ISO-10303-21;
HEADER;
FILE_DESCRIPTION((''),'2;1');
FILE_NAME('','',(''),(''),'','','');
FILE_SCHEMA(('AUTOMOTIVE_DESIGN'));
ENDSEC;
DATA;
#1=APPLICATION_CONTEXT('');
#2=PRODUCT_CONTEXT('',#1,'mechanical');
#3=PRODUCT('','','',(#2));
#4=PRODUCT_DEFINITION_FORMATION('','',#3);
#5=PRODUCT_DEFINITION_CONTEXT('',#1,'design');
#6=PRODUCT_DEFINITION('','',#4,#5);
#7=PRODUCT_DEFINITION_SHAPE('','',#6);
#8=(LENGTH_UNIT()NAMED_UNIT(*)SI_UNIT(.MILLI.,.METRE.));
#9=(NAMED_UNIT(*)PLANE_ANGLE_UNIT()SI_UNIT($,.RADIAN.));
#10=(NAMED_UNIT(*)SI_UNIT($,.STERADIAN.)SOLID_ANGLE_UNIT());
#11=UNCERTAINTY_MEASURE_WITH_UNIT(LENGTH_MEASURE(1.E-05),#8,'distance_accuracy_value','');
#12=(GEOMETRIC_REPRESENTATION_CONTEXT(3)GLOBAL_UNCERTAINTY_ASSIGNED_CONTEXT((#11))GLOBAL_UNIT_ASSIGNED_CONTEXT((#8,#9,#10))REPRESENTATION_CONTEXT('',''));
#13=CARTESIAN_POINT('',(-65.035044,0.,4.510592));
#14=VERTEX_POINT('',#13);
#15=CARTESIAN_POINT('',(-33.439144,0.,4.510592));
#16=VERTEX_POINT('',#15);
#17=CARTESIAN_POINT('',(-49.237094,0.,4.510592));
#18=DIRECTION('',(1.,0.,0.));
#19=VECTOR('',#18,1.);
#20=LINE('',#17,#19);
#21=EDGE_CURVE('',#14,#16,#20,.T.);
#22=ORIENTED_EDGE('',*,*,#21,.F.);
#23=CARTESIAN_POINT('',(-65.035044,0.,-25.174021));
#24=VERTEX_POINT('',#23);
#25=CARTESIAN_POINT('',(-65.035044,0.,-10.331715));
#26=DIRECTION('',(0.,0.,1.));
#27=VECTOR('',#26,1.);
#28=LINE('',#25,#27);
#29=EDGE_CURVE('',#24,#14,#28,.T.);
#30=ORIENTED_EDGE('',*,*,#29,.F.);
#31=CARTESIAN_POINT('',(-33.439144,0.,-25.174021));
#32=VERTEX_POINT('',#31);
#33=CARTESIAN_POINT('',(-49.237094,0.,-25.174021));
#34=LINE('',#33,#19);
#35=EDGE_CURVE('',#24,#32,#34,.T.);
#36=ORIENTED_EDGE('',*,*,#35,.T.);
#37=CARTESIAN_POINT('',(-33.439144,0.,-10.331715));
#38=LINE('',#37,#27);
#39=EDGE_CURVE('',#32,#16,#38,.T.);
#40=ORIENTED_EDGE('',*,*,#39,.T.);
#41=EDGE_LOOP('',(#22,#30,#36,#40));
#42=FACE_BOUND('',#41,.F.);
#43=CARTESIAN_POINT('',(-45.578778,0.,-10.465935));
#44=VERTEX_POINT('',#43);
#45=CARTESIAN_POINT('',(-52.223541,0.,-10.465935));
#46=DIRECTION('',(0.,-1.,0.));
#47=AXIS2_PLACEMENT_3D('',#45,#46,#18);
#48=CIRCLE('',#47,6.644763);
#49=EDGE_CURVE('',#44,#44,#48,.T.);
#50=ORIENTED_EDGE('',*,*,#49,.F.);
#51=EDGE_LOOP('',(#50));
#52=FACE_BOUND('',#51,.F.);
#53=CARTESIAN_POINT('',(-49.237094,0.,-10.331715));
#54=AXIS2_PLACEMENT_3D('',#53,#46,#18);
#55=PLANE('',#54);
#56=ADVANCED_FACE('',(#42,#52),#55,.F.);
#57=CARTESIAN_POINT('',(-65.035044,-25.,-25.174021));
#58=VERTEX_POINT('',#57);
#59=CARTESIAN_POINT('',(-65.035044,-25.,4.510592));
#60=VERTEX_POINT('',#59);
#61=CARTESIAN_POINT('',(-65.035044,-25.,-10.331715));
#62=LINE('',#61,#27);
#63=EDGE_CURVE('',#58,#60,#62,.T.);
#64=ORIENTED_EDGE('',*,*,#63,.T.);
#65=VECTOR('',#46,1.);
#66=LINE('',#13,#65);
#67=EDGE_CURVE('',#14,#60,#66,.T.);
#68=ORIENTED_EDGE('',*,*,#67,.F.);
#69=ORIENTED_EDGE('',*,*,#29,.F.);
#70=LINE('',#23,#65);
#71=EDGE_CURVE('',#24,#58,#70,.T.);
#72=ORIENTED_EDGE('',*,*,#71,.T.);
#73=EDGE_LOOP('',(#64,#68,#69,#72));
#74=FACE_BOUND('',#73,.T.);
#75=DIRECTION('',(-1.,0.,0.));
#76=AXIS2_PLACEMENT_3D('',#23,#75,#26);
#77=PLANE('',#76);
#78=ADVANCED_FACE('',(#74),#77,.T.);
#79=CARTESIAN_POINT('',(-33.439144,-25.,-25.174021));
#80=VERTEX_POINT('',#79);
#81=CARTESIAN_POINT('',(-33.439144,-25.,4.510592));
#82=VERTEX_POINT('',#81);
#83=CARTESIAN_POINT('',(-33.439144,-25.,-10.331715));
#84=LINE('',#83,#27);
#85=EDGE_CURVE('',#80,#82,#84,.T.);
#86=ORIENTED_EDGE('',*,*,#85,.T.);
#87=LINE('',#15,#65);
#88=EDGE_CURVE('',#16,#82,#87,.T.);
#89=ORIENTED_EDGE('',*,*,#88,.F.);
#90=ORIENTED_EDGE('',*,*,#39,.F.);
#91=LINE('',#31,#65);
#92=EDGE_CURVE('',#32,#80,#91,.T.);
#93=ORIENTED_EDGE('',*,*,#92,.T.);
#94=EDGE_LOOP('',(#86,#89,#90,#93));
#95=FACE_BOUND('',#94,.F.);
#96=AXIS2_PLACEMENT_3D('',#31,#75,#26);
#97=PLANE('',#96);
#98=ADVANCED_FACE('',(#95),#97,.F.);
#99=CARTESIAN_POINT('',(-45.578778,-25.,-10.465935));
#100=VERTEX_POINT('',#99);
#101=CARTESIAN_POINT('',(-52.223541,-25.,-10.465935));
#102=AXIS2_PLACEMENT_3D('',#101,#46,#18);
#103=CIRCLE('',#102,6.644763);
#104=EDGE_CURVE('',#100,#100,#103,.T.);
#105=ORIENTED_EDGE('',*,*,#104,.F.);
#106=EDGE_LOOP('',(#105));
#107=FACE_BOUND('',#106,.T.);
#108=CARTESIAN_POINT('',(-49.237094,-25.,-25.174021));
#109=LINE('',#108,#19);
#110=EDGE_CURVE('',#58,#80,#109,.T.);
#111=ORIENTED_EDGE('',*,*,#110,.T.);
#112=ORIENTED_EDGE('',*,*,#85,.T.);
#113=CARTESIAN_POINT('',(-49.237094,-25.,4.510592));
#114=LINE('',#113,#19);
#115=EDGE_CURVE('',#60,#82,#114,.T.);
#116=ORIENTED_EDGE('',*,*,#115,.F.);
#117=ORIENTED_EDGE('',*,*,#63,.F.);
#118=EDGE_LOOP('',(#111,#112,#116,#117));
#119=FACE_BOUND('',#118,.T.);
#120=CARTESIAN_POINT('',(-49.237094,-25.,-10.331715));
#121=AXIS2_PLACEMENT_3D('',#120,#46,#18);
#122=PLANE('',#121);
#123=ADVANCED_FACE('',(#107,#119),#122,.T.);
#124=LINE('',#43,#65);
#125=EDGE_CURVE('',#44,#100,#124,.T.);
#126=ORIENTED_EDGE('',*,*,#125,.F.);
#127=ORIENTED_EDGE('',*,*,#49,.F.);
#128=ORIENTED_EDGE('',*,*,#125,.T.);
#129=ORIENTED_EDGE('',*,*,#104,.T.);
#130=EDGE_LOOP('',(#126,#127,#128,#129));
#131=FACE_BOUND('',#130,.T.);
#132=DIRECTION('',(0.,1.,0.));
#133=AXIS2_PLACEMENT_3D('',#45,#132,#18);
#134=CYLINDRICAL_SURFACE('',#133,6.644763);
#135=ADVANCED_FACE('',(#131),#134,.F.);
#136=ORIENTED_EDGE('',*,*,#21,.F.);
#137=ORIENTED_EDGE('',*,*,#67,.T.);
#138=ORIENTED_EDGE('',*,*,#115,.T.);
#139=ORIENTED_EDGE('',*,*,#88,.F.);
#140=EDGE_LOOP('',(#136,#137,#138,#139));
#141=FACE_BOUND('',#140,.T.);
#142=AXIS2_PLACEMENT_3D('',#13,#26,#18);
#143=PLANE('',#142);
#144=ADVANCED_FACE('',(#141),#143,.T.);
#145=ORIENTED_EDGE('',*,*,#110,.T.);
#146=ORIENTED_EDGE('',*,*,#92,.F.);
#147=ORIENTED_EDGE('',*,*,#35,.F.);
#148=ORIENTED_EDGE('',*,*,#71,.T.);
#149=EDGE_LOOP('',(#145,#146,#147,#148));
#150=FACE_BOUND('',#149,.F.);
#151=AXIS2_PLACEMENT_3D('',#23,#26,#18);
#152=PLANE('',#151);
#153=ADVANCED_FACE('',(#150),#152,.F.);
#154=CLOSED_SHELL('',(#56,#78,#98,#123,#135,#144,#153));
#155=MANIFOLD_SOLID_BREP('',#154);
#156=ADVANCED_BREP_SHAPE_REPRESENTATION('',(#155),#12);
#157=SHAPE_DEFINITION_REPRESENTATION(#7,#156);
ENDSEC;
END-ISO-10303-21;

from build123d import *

# Parameters (mm, degrees)
F1_W     = 31.595901
F1_H     = 29.684613
F1_R     = 6.644763
F2_DEPTH = 25


with BuildPart() as f2:
    # F1 (on face) → F2 (new body)
    with BuildSketch(Plane.XZ):
        with Locations((-49.237094, -10.331715)):
            Rectangle(F1_W, F1_H)
        with Locations((-52.223541, -10.465935)):
            Circle(F1_R, mode=Mode.SUBTRACT)
    extrude(amount=F2_DEPTH)


solid = f2.part
